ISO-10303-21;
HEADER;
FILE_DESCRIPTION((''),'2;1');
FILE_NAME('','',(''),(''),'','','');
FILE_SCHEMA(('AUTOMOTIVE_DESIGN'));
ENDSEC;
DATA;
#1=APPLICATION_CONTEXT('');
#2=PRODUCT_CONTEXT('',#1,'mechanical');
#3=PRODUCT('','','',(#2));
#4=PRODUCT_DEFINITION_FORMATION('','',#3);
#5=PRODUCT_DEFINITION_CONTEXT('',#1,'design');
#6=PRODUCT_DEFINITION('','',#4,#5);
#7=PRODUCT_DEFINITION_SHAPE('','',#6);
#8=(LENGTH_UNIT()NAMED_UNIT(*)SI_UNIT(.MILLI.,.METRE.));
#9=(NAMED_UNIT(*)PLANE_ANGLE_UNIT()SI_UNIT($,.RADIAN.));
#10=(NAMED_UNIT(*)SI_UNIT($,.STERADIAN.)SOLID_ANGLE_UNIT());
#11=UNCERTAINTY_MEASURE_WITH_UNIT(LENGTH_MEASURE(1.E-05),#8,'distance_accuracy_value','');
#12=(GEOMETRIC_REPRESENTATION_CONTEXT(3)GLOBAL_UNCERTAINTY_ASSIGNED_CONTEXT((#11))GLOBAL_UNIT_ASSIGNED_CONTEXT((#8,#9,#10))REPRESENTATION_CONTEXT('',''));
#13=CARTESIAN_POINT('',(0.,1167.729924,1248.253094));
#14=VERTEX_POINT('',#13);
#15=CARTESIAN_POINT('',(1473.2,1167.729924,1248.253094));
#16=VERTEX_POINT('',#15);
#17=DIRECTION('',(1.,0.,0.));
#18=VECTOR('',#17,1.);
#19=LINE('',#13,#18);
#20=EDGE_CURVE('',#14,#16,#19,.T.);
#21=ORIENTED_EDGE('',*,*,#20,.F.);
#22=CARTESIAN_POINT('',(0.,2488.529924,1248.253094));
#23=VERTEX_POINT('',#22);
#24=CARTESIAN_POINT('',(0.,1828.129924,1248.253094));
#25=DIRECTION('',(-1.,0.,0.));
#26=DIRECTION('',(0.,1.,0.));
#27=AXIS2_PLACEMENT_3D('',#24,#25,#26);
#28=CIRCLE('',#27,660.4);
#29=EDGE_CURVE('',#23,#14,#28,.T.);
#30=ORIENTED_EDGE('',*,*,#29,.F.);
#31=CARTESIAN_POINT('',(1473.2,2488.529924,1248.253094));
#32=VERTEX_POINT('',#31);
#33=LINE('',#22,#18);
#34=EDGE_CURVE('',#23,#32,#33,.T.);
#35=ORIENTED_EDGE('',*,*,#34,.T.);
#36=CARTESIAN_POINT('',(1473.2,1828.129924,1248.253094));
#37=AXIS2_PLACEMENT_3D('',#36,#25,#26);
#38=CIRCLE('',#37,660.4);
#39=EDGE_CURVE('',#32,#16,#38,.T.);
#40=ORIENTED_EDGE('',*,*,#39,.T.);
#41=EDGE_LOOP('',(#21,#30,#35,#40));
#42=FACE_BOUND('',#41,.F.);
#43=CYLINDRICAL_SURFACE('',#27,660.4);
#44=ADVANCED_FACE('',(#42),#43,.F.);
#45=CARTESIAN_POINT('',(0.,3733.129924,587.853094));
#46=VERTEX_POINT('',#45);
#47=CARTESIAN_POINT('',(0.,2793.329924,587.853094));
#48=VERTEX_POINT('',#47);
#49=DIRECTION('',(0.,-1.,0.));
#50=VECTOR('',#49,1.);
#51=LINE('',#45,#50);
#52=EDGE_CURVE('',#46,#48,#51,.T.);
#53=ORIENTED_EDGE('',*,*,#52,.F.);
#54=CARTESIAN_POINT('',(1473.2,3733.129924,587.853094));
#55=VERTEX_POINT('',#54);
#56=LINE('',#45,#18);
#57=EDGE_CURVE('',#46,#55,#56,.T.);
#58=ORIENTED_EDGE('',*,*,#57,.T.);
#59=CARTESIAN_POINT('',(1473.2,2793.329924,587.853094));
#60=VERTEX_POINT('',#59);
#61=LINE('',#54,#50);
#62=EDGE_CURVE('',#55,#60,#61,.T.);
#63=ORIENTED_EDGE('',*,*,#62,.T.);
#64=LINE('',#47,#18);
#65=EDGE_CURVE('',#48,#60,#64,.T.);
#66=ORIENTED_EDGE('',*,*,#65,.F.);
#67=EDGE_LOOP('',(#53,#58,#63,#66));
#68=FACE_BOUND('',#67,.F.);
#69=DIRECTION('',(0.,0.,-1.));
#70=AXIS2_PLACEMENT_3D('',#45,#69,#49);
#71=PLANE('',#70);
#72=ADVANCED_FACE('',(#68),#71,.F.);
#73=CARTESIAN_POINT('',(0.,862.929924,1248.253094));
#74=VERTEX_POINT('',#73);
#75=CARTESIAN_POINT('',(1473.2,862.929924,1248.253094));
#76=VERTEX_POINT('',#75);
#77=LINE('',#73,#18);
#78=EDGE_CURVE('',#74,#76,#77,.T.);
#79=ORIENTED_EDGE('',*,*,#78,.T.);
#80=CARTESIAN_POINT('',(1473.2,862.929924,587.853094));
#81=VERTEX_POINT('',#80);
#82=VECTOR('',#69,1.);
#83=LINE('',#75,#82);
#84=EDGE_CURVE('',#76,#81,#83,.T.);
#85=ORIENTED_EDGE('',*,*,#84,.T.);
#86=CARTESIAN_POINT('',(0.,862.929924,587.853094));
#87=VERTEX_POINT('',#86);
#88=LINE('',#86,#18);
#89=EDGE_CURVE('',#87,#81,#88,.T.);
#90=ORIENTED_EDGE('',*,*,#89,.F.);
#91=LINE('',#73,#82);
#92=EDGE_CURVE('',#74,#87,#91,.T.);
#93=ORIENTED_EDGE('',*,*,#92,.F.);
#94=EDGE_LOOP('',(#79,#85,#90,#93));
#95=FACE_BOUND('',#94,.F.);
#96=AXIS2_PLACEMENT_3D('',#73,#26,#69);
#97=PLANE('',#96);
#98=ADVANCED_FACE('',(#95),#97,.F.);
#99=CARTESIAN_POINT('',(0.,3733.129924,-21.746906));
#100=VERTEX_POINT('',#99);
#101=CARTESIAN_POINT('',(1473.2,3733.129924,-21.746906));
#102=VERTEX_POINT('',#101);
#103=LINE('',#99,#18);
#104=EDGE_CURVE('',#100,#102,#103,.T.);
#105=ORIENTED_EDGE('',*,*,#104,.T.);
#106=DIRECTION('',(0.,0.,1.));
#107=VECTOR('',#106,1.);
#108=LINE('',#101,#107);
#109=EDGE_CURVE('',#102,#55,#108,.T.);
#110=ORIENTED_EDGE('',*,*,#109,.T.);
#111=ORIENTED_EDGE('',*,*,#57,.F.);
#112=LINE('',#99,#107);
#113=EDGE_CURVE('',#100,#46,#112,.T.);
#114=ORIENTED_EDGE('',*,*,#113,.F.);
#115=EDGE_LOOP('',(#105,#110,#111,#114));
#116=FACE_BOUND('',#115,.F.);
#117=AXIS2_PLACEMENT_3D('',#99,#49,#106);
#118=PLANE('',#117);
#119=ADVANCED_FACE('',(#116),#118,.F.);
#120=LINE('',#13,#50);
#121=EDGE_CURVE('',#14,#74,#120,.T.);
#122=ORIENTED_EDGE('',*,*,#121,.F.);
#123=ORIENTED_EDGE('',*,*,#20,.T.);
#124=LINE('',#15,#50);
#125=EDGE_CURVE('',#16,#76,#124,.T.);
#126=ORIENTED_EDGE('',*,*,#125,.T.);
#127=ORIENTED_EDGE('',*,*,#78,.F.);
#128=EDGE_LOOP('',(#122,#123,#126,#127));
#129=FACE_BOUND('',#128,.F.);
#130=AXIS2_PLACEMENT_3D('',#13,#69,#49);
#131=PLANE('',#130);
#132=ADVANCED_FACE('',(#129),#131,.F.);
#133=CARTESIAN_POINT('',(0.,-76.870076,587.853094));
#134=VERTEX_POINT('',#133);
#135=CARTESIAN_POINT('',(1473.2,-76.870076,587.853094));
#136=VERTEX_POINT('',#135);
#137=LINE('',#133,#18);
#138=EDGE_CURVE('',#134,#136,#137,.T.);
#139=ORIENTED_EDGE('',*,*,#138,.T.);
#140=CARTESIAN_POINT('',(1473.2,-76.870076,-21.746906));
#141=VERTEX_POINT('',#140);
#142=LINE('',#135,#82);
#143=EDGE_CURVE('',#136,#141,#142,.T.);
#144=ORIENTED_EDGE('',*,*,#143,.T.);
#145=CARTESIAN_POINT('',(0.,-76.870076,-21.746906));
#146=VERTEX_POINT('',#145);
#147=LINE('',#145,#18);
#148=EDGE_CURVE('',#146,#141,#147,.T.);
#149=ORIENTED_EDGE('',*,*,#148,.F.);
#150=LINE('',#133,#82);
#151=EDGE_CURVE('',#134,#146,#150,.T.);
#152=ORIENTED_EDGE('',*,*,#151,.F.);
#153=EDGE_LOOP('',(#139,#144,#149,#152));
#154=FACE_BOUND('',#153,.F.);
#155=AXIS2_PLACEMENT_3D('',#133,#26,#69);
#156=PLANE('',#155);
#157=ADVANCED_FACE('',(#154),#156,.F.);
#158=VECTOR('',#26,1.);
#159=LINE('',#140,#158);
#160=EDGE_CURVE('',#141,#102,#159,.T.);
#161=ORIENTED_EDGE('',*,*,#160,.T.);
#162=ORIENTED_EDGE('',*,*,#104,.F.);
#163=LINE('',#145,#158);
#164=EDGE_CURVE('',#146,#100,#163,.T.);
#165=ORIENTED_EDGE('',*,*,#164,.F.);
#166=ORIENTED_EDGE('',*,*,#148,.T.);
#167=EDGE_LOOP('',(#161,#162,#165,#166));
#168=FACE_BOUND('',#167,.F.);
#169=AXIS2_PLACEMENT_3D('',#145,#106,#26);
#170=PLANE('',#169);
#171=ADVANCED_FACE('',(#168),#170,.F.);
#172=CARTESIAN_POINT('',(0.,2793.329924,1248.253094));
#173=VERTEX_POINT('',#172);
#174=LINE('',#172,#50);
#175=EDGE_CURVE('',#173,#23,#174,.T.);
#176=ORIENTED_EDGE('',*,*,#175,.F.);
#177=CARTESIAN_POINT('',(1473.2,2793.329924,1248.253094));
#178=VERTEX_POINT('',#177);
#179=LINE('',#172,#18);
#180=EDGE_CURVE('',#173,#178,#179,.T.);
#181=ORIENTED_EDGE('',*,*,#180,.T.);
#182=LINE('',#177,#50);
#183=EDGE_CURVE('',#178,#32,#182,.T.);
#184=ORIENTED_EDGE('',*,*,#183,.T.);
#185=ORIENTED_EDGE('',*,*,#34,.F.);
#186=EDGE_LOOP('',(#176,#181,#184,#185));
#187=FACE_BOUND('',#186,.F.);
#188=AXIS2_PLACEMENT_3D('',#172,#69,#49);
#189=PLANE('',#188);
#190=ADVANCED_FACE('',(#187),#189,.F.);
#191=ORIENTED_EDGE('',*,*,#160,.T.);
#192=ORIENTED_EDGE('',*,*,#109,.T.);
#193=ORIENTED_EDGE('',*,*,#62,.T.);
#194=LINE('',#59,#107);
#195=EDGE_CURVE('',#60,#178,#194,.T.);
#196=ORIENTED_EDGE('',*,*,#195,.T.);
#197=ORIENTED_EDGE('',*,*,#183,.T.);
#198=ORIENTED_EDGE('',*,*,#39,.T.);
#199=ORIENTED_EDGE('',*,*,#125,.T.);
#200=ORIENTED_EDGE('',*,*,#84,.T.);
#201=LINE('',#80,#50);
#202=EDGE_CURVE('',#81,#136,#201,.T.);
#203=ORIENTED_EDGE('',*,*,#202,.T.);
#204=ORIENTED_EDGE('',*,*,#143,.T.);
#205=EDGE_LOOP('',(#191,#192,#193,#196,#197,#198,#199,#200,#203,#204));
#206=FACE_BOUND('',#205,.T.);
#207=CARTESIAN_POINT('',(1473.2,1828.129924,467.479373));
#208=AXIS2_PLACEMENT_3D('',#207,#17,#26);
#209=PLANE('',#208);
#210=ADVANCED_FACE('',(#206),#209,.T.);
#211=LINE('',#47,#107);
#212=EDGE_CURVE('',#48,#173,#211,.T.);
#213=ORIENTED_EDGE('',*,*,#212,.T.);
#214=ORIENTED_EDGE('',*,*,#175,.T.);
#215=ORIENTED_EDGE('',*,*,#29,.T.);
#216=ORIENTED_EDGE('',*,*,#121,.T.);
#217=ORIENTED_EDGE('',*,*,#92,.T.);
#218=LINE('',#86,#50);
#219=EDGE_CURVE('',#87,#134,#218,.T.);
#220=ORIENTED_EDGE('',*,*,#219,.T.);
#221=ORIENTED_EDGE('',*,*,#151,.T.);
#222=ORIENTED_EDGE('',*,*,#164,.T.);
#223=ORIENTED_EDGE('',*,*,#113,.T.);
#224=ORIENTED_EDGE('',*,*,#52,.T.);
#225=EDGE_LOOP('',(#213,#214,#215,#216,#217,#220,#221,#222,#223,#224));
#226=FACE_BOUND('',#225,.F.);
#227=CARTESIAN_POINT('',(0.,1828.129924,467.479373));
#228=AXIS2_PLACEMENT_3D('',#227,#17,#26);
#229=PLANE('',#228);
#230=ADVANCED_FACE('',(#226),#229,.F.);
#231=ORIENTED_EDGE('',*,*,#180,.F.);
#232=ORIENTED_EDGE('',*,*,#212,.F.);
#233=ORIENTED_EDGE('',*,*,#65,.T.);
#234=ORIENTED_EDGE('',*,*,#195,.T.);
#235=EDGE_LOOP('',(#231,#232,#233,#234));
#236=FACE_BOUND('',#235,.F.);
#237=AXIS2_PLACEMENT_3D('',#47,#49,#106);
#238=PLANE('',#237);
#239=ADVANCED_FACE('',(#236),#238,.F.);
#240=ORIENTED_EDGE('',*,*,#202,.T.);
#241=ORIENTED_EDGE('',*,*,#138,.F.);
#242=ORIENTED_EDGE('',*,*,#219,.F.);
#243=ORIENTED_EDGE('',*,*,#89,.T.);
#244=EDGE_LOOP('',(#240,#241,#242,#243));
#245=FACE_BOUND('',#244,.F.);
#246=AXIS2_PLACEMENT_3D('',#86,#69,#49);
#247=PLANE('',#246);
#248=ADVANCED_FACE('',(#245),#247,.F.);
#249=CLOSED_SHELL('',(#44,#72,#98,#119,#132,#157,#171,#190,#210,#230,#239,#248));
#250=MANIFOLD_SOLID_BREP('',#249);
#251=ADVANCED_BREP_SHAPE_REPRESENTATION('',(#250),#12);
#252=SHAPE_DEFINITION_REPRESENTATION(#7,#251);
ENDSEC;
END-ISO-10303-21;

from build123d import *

# Parameters (mm, degrees)
F1_DEPTH = 1473.2


with BuildPart() as f1:
    # F0 (on Right) → F1 (new body)
    with BuildSketch(Plane.YZ):
        with BuildLine():
            Line((-76.870076, 587.853094), (-76.870076, -21.746906))
            Line((-76.870076, -21.746906), (3733.129924, -21.746906))
            Line((3733.129924, -21.746906), (3733.129924, 587.853094))
            Line((3733.129924, 587.853094), (2793.329924, 587.853094))
            Line((2793.329924, 587.853094), (2793.329924, 1248.253094))
            Line((2793.329924, 1248.253094), (2488.529924, 1248.253094))
            ThreePointArc((2488.529924, 1248.253094), (1828.129924, 587.853094), (1167.729924, 1248.253094))
            Line((1167.729924, 1248.253094), (862.929924, 1248.253094))
            Line((862.929924, 1248.253094), (862.929924, 587.853094))
            Line((862.929924, 587.853094), (-76.870076, 587.853094))
        make_face()
    extrude(amount=F1_DEPTH)


solid = f1.part
